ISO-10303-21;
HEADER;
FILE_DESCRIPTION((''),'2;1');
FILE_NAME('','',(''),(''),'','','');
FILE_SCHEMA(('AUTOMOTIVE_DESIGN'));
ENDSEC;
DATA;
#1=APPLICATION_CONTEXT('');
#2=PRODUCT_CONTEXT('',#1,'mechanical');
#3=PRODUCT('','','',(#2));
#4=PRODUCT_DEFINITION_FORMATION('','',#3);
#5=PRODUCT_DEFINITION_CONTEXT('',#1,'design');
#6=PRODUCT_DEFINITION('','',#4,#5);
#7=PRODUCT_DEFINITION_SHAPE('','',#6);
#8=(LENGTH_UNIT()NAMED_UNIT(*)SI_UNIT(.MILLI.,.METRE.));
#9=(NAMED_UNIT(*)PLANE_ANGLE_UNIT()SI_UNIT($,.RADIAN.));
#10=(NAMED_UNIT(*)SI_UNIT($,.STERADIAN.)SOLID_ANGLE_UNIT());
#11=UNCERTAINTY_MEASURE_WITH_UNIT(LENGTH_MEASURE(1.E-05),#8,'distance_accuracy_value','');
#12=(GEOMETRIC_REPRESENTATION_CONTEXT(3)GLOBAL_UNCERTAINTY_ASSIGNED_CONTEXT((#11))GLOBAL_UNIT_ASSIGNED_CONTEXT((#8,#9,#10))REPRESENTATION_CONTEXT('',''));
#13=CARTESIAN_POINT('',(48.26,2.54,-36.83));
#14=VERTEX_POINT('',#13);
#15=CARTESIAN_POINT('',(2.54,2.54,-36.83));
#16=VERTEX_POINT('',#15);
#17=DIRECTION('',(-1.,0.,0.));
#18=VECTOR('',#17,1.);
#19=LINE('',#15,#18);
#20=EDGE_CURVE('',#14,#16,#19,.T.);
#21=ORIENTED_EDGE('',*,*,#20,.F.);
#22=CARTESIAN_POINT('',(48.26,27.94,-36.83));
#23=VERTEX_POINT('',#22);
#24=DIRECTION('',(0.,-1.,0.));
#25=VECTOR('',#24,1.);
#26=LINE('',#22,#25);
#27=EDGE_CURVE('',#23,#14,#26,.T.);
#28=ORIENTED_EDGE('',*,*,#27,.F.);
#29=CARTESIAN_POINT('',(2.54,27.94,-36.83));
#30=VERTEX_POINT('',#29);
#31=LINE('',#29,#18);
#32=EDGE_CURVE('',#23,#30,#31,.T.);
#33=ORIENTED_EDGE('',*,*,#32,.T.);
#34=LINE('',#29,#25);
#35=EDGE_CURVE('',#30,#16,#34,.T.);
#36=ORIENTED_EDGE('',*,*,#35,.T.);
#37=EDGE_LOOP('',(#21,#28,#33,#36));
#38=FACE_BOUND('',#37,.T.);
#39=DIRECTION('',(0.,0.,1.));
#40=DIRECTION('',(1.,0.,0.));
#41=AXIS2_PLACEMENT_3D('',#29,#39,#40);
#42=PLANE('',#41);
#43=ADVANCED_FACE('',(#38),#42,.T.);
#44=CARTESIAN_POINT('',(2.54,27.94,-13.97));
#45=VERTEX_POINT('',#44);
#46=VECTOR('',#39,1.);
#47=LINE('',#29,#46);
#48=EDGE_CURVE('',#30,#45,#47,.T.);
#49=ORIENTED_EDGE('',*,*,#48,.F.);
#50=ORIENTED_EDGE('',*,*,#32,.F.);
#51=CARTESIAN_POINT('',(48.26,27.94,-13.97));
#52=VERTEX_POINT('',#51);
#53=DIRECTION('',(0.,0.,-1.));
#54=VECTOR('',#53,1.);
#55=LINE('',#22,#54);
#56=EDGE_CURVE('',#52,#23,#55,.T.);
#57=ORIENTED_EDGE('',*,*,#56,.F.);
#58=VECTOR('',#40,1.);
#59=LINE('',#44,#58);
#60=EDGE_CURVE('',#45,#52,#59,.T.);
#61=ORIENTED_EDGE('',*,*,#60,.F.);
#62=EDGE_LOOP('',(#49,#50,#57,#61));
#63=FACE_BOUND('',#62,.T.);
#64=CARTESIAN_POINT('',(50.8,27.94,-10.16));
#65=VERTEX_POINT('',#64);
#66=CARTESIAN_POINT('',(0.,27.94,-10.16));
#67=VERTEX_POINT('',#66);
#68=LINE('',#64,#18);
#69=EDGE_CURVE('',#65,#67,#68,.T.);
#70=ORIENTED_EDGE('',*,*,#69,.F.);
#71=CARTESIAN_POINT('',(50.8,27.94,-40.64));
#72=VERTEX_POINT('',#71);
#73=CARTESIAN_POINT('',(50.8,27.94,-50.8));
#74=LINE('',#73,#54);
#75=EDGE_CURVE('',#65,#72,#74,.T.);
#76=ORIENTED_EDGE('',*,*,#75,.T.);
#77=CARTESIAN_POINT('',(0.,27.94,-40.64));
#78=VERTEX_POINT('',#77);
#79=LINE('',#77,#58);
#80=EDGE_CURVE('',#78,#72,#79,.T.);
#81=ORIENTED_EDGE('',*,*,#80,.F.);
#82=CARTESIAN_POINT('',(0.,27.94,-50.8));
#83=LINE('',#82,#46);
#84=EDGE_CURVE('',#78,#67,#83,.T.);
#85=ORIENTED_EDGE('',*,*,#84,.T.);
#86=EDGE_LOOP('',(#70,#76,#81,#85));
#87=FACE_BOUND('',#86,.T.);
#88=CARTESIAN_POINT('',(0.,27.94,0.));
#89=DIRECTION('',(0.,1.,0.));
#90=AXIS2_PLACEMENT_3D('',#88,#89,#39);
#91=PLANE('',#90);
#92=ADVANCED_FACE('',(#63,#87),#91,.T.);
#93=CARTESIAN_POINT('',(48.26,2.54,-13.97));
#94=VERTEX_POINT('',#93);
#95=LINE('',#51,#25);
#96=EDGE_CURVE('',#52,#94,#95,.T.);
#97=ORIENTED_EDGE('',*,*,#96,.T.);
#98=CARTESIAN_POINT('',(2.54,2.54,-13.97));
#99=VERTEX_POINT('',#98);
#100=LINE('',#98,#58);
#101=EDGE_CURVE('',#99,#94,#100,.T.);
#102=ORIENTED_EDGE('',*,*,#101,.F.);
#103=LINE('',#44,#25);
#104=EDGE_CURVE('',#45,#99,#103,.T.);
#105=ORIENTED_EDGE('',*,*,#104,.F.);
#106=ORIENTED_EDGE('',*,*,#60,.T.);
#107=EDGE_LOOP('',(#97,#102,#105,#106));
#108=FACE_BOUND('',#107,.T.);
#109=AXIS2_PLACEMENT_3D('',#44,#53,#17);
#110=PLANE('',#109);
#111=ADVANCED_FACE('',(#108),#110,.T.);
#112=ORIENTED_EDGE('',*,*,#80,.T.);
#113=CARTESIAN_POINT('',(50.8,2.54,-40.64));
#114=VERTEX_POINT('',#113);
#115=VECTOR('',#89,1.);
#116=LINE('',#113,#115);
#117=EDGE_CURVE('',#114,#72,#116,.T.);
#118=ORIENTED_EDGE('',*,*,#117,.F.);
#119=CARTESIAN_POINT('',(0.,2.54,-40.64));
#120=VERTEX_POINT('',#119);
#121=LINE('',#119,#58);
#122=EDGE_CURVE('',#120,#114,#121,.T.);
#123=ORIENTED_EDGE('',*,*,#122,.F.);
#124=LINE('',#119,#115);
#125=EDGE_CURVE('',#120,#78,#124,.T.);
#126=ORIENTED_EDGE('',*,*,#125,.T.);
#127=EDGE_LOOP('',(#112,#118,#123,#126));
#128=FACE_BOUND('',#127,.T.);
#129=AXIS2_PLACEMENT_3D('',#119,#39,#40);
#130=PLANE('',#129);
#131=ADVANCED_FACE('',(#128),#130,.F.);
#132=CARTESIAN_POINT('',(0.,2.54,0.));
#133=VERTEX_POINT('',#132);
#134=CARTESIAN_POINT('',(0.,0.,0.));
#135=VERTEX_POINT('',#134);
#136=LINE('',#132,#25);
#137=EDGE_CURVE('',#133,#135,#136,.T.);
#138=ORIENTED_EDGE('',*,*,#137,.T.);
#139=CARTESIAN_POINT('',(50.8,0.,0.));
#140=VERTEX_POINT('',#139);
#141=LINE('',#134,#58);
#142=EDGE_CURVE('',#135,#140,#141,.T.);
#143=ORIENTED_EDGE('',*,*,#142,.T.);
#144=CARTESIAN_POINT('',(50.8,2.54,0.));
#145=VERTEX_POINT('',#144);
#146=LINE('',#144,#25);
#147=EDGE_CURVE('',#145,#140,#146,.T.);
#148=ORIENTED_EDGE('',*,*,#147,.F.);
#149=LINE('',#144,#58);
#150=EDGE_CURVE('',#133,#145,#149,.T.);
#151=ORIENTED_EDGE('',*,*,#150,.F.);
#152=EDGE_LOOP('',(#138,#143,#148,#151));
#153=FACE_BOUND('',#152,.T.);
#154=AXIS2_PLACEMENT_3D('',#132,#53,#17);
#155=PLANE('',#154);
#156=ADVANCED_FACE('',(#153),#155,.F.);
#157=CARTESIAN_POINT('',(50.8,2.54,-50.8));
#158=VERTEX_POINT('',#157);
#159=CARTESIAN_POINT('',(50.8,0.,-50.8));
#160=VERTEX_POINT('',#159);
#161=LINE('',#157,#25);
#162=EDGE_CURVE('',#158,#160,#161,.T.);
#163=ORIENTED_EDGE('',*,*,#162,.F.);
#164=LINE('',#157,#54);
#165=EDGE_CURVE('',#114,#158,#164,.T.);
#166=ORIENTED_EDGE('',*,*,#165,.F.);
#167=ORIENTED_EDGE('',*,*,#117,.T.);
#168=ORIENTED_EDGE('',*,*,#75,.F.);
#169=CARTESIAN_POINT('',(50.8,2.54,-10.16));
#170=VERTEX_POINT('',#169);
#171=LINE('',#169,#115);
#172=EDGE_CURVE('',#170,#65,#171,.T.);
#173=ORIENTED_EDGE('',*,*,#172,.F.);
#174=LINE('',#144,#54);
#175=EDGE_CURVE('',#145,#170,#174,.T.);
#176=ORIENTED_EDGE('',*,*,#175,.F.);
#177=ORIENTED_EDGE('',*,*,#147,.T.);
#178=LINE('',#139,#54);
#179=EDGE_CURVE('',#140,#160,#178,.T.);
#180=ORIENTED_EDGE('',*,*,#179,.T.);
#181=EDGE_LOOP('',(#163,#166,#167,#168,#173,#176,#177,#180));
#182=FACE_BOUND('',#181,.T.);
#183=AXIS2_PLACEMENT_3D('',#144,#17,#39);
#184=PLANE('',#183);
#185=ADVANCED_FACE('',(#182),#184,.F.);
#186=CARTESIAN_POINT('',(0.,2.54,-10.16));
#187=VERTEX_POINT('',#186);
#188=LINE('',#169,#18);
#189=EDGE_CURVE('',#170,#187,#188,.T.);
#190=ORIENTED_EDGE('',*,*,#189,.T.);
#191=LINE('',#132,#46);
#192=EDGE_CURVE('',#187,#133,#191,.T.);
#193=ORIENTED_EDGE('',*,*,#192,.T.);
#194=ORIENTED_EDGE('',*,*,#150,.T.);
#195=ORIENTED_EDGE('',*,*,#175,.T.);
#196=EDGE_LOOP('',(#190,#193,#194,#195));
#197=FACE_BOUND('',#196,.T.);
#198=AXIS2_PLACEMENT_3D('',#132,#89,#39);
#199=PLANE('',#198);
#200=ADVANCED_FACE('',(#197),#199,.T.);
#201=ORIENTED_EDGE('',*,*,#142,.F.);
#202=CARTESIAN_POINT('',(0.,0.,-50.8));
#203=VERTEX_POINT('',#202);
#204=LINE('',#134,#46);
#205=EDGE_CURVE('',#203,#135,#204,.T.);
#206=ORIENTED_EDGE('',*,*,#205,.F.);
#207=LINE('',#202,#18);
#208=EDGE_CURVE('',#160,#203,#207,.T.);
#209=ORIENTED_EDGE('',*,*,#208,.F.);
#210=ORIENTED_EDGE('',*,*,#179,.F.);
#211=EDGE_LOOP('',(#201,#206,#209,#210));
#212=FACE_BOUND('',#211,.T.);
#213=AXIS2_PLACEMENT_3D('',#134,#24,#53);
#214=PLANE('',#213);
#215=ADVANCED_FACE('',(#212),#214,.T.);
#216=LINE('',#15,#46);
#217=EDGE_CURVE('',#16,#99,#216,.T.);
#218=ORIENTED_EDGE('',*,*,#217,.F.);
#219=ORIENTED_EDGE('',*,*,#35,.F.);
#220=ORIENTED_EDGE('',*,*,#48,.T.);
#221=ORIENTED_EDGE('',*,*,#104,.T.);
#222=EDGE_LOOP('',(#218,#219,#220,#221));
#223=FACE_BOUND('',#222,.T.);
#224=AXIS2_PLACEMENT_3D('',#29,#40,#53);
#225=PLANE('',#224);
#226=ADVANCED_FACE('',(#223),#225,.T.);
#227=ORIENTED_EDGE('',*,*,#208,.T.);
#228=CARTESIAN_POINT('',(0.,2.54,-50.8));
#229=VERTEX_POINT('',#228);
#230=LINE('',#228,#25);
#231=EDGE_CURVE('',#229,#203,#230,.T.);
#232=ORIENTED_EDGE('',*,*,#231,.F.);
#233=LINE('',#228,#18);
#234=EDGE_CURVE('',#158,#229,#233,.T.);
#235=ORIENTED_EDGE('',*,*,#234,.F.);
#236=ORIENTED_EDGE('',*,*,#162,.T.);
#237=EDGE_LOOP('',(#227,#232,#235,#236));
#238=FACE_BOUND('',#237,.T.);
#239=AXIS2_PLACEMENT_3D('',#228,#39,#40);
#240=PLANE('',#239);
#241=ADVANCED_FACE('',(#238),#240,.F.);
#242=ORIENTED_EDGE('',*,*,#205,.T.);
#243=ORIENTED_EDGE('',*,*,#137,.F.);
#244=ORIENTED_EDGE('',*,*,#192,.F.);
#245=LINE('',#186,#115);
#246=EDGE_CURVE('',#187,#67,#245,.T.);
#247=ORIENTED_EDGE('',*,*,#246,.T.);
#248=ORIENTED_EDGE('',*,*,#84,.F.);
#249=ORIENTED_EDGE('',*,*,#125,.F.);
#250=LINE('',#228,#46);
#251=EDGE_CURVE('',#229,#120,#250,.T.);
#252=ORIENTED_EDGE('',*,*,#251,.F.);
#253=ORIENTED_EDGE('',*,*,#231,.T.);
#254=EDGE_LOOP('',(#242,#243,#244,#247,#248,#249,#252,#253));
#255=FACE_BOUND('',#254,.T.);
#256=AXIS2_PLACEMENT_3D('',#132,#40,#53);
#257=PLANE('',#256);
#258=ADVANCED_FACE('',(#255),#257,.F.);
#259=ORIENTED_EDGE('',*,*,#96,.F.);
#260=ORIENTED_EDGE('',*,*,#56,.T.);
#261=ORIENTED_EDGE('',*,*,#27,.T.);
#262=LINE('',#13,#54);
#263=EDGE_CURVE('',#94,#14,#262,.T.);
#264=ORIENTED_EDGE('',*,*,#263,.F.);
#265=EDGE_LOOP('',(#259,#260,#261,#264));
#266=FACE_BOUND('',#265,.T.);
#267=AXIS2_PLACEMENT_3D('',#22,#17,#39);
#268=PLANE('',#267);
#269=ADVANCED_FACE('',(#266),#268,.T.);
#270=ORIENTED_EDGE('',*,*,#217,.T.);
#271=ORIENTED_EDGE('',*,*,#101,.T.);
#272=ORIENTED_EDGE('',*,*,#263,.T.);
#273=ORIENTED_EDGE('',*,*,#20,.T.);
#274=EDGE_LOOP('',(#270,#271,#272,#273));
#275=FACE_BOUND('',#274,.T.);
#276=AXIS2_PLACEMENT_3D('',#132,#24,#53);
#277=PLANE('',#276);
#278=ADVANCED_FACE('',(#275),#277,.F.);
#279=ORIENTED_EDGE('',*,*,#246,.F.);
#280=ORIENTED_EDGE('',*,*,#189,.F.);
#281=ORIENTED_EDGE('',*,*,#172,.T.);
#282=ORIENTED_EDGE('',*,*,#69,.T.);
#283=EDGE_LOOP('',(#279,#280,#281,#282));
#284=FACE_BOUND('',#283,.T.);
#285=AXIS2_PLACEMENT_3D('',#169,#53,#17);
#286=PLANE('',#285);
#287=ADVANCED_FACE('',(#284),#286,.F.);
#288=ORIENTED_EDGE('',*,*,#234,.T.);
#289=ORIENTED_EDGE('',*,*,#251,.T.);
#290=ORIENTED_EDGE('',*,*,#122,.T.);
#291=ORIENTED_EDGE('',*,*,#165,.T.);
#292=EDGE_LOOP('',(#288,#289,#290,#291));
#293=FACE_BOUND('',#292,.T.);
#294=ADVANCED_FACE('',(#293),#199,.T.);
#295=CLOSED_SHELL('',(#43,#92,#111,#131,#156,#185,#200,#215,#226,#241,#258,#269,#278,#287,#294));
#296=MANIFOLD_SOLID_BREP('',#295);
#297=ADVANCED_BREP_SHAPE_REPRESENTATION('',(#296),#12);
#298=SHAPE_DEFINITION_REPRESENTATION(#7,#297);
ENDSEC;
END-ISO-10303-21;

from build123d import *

# Parameters (mm, degrees)
SKETCH1_W           = 50.8
SKETCH1_H           = 50.8
BOSS_EXTRUDE1_DEPTH = 2.54
SKETCH2_W           = 50.8
SKETCH2_H           = 50.8
SKETCH2_W_2         = 45.72
SKETCH2_H_2         = 22.86
BOSS_EXTRUDE2_DEPTH = 25.4
SKETCH3_W           = 50.8
SKETCH3_H           = 10.16
CUT_EXTRUDE1_DEPTH  = 25.4


with BuildPart() as part:
    # Sketch1 → Boss-Extrude1 (new body)
    with BuildSketch(Plane(origin=(0, 0, 0), x_dir=(1, 0, 0), z_dir=(0, 1, 0))):
        with Locations((25.4, 25.4)):
            Rectangle(SKETCH1_W, SKETCH1_H)
    extrude(amount=BOSS_EXTRUDE1_DEPTH)

    # Sketch2 → Boss-Extrude2 (add)
    with BuildSketch(Plane(origin=(0, 2.54, 0), x_dir=(1, 0, 0), z_dir=(0, 1, 0))):
        with Locations((25.4, 25.4)):
            Rectangle(SKETCH2_W, SKETCH2_H)
        with Locations((25.4, 25.4)):
            Rectangle(SKETCH2_W_2, SKETCH2_H_2, mode=Mode.SUBTRACT)
    extrude(amount=BOSS_EXTRUDE2_DEPTH)

    # Sketch3 → Cut-Extrude1 (cut)
    with BuildSketch(Plane(origin=(0, 27.94, 0), x_dir=(1, 0, 0), z_dir=(0, 1, 0))):
        with Locations((25.4, 45.72)):
            Rectangle(SKETCH3_W, SKETCH3_H)
        with Locations((25.4, 5.08)):
            Rectangle(SKETCH3_W, SKETCH3_H)
    extrude(amount=-CUT_EXTRUDE1_DEPTH, mode=Mode.SUBTRACT)


solid = part.part
